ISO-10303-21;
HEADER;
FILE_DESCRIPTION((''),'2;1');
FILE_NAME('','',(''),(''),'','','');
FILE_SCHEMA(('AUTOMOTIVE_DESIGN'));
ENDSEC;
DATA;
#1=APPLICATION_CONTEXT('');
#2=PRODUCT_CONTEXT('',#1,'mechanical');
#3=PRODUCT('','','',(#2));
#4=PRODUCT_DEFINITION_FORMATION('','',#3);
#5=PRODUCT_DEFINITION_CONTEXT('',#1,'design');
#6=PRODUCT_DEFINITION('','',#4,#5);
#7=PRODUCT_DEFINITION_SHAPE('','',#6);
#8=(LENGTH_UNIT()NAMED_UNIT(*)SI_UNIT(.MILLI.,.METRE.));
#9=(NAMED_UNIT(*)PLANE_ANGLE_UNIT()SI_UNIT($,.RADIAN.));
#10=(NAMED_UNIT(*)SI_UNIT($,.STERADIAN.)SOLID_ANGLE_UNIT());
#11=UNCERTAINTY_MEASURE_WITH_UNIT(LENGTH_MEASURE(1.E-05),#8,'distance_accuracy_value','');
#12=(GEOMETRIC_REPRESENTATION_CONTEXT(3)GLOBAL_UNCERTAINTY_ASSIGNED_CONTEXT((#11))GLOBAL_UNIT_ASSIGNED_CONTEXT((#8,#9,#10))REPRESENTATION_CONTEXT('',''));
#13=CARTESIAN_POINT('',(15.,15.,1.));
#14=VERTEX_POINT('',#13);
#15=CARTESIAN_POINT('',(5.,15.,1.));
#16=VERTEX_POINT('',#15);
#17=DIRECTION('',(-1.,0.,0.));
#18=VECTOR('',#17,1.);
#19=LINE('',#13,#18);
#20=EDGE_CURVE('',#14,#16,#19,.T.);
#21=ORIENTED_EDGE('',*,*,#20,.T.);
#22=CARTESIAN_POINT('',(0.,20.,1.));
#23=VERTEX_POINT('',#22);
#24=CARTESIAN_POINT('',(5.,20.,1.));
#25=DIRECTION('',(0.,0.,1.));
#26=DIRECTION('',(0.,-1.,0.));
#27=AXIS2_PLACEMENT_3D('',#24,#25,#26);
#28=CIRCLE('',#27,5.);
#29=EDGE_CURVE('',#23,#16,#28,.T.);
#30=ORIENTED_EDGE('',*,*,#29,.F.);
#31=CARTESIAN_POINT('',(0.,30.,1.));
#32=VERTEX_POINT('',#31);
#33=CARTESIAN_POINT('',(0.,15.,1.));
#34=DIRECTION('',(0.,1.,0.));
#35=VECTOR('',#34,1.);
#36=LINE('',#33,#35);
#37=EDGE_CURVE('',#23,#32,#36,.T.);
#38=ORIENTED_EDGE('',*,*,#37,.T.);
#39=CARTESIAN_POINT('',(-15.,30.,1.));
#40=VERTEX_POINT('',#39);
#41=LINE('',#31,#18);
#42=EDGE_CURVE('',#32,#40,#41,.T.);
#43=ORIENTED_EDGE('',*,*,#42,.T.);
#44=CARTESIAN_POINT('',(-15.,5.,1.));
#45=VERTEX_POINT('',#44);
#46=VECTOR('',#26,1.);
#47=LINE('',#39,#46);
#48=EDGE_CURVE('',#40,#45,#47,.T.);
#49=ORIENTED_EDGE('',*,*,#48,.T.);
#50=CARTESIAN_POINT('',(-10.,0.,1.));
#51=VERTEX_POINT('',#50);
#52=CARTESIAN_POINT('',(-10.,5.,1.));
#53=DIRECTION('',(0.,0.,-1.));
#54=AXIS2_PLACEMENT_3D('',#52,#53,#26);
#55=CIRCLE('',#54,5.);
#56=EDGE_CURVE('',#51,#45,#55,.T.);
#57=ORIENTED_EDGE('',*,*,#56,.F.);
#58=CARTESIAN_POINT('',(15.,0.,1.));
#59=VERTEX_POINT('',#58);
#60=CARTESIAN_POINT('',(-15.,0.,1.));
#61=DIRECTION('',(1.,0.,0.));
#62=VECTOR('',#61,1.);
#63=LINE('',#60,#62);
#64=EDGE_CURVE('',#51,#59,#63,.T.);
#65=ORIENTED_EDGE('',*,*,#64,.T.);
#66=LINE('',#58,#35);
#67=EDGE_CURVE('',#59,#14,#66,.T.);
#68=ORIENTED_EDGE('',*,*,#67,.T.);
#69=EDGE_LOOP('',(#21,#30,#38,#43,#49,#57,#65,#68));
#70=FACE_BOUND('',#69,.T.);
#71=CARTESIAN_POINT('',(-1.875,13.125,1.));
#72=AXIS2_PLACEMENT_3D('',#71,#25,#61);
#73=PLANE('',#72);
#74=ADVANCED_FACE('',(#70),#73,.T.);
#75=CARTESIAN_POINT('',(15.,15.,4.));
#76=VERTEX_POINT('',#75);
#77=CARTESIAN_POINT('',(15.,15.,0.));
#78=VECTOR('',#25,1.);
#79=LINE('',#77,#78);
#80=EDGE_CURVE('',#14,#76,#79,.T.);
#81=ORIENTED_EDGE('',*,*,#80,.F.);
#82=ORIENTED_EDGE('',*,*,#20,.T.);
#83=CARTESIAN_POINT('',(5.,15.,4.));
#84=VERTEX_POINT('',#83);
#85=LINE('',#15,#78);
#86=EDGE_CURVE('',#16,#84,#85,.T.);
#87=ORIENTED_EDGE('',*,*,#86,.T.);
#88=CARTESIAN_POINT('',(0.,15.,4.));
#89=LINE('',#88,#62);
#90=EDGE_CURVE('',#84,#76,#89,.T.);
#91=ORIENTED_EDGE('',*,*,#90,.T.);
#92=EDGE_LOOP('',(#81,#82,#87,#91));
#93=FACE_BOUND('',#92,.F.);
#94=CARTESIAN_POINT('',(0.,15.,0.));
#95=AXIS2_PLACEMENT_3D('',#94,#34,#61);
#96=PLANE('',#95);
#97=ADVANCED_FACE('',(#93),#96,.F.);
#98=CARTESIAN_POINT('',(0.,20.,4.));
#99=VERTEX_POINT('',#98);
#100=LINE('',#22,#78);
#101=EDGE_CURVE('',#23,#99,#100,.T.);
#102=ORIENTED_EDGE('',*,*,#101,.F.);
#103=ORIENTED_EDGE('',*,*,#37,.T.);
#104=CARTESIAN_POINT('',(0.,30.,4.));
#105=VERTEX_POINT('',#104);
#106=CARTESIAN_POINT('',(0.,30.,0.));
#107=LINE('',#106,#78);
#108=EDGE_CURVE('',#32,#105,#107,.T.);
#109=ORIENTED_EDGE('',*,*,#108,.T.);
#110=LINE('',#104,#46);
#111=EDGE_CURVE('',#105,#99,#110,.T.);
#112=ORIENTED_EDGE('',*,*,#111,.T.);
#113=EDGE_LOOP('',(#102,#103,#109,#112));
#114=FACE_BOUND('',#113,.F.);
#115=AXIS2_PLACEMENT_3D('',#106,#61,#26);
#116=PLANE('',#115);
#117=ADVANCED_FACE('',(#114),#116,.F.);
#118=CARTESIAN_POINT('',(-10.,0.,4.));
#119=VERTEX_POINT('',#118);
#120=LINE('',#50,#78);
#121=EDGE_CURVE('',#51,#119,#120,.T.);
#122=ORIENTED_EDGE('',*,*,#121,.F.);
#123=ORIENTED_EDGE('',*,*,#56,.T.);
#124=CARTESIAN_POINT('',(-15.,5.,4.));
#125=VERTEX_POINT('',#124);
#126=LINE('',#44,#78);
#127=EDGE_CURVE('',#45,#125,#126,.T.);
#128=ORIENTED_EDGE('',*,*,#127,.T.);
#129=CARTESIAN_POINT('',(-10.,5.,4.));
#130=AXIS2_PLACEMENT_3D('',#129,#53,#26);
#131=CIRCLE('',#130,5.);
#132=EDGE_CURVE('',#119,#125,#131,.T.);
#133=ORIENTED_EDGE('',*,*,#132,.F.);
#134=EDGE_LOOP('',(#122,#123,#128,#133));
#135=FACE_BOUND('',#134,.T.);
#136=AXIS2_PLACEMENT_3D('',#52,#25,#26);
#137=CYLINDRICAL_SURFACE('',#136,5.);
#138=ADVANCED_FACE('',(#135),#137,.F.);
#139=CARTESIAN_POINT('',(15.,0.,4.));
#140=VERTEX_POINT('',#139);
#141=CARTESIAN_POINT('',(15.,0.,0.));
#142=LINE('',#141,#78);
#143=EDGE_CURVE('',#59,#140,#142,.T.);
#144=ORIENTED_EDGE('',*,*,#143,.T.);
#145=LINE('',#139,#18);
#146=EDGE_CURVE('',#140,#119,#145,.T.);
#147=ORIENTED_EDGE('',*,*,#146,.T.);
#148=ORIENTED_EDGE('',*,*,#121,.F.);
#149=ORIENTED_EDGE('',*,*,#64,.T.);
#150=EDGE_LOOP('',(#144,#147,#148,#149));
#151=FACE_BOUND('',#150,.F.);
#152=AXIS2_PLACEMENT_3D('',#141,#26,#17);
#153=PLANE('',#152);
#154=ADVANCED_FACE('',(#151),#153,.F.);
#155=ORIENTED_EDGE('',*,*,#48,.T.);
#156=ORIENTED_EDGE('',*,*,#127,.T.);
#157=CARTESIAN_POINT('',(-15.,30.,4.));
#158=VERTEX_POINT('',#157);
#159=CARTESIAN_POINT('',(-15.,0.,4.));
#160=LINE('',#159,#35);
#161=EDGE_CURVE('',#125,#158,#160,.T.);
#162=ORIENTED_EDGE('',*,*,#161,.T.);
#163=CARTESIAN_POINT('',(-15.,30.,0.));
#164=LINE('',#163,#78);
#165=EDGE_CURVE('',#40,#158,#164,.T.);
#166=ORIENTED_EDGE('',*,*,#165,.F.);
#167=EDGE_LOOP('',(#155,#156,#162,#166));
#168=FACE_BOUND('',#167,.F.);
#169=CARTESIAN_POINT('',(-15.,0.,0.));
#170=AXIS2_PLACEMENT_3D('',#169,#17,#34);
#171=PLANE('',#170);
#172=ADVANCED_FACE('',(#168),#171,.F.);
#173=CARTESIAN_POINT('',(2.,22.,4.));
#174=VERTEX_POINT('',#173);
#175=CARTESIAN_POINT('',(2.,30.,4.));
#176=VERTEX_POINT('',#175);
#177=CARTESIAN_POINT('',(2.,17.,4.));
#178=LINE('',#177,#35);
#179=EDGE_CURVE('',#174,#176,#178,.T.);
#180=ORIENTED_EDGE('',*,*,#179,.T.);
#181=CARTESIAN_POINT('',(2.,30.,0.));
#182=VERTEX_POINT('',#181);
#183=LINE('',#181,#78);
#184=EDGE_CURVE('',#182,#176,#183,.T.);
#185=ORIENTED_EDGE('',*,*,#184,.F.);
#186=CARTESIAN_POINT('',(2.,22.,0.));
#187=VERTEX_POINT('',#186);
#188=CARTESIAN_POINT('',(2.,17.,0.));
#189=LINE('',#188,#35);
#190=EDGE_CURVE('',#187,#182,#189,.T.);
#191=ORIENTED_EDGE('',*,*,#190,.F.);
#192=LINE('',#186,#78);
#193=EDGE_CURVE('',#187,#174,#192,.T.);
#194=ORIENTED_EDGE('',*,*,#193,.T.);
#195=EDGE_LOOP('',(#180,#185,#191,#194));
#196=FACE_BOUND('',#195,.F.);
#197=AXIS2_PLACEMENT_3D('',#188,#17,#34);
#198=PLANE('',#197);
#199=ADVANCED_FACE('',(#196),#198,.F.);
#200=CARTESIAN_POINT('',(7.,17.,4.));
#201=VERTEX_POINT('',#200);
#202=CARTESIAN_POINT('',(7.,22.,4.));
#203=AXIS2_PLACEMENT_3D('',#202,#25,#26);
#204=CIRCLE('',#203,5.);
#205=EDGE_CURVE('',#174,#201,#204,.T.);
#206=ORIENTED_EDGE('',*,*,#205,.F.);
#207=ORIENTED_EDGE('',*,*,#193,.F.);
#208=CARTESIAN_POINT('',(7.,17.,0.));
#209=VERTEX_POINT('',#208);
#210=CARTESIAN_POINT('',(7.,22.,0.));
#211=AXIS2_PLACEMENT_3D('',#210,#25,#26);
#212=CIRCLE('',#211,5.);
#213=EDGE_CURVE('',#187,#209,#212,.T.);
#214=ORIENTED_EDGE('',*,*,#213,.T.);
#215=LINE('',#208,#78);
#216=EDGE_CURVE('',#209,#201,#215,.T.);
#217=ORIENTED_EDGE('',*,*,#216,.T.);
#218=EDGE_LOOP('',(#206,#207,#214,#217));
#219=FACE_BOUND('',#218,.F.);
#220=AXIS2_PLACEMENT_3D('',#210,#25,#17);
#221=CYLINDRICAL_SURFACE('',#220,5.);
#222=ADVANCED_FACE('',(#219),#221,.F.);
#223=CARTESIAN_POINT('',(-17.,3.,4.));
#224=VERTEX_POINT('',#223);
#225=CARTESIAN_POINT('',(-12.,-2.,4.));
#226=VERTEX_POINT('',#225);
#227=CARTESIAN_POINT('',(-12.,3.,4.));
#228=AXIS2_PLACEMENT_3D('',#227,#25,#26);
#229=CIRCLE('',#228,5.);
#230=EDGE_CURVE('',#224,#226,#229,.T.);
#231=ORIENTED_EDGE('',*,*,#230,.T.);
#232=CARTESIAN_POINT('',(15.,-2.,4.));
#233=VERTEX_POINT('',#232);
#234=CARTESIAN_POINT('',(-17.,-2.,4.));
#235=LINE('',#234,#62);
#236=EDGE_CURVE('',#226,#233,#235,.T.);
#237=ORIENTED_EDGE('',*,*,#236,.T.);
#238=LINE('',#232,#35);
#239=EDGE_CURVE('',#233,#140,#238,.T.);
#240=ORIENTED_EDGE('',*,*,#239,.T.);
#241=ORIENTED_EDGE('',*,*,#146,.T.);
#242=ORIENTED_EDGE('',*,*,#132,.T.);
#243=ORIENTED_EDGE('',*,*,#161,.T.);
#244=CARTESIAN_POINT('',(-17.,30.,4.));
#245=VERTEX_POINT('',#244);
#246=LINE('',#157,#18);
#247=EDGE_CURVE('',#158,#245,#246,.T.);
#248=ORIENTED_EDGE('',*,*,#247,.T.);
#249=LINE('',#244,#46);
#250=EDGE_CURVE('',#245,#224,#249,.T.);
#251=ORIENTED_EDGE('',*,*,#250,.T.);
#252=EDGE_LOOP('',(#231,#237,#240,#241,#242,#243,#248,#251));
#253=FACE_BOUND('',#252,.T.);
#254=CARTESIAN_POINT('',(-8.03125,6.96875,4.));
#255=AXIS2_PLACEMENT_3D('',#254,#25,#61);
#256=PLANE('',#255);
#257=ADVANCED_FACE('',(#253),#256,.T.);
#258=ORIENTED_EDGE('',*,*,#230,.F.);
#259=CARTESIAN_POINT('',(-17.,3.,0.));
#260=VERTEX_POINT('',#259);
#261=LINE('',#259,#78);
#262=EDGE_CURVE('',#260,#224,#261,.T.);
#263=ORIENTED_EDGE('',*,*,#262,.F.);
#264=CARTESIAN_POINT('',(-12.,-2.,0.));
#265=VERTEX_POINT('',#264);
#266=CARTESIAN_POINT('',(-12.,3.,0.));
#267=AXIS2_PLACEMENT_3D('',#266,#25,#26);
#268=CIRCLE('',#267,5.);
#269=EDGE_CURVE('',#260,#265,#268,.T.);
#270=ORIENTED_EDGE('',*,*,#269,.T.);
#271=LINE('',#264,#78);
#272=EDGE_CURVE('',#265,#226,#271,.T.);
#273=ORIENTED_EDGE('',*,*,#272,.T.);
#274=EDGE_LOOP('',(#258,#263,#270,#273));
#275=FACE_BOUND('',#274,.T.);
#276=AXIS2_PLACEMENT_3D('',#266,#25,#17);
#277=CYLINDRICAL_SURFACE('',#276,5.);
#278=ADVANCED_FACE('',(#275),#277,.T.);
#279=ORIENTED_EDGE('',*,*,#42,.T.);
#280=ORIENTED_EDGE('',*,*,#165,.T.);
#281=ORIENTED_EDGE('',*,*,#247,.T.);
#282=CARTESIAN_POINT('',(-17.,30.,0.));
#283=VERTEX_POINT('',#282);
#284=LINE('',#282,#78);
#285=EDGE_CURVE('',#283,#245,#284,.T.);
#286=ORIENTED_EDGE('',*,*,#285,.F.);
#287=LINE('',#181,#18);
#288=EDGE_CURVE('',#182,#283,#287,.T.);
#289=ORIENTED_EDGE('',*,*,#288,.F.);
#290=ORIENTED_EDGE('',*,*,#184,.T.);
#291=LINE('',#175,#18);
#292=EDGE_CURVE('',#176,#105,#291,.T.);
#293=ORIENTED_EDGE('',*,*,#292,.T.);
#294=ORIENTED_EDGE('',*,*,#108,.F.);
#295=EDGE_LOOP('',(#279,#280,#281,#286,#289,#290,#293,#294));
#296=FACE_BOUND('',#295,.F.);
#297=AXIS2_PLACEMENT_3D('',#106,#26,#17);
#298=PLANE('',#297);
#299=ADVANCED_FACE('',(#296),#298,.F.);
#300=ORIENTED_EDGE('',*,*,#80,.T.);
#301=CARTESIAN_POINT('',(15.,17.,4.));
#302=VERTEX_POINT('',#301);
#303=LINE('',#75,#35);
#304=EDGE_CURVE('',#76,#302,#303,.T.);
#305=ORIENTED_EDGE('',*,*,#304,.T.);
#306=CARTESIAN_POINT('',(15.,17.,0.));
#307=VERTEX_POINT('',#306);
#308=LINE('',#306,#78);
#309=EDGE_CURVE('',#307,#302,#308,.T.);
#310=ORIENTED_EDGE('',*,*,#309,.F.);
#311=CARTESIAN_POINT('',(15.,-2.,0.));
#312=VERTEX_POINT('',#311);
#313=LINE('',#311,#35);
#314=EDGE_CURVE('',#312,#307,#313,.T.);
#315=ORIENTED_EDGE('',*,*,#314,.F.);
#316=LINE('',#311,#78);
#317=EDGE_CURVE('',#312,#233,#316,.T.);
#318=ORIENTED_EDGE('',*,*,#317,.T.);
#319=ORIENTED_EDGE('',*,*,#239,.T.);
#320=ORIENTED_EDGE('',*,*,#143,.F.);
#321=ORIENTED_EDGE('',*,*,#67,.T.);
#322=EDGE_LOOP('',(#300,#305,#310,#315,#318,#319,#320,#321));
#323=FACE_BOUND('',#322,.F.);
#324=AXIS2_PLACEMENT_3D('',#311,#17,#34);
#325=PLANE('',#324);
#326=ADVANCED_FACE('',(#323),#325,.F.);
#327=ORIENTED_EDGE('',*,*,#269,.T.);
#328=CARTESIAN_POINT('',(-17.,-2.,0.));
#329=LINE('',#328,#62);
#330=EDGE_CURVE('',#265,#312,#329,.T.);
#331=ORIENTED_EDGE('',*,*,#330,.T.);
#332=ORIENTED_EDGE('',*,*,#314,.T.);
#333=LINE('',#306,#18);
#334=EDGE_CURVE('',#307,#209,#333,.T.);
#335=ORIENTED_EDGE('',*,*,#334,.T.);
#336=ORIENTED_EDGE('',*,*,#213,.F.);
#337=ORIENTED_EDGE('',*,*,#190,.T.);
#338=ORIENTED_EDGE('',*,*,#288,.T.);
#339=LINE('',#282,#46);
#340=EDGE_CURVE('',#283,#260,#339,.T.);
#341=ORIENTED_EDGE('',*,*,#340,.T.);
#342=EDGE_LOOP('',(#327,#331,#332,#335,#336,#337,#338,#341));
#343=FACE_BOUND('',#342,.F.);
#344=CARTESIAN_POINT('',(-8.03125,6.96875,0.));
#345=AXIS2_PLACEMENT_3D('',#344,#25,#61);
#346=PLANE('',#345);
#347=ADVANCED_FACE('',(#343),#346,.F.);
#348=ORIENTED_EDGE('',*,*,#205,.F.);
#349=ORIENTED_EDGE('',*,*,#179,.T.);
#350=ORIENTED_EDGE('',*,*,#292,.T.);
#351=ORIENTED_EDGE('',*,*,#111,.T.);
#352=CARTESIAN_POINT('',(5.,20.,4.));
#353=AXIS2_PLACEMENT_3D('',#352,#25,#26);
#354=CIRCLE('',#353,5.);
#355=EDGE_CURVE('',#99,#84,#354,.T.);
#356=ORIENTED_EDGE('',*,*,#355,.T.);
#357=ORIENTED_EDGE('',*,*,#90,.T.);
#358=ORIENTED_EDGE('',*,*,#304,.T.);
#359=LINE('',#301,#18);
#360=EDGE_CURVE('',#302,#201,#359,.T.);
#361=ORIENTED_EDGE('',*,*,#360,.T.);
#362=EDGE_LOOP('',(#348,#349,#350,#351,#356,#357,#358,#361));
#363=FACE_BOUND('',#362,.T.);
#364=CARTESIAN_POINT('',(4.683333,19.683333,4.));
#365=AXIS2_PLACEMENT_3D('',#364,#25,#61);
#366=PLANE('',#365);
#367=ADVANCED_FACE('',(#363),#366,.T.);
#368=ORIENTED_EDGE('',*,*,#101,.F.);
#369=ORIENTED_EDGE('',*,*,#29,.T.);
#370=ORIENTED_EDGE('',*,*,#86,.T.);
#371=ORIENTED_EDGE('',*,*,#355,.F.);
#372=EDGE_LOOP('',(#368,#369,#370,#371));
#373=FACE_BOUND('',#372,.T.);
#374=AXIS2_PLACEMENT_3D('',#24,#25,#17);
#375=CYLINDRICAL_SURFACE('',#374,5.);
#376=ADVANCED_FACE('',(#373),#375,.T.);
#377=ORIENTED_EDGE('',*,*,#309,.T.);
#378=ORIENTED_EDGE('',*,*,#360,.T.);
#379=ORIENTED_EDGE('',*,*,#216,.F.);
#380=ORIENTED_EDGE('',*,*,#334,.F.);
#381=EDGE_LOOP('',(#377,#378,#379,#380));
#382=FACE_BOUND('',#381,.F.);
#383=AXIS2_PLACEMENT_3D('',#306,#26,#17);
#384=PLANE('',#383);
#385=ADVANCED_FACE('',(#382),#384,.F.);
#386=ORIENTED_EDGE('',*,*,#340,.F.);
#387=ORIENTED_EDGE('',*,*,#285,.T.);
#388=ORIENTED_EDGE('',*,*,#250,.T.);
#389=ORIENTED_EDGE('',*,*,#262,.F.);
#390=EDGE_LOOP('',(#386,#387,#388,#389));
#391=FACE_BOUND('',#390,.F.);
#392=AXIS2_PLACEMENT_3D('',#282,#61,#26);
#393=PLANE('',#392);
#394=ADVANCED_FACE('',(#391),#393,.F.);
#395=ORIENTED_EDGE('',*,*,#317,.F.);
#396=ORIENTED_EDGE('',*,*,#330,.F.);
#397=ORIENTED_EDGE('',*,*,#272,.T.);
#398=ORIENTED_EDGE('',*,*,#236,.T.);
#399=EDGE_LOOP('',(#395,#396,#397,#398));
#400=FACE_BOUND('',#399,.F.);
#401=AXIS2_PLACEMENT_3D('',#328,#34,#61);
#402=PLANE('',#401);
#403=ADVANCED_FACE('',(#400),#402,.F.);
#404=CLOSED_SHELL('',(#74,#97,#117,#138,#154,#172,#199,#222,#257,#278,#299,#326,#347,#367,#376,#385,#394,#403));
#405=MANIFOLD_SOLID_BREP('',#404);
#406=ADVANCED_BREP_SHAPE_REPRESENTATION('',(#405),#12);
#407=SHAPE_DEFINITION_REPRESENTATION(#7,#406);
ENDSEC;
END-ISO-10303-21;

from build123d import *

# Parameters (mm, degrees)
F1_DEPTH = 1
F2_DEPTH = 4
F3_R     = 5


with BuildPart() as f1:
    # F0 (on Top) → F1 (new body)
    with BuildSketch(Plane.XY):
        Polygon((-15, 0), (0, 0), (15, 0), (15, 15), (0, 15), (0, 30), (-15, 30), align=None)
    extrude(amount=F1_DEPTH)

    # F0 (on Top) → F2 (join)
    with BuildSketch(Plane.XY):
        Polygon((15, 0), (0, 0), (-15, 0), (-15, 30), (-17, 30), (-17, -2), (0, -2), (15, -2), align=None)
        Polygon((0, 15), (15, 15), (15, 17), (2, 17), (2, 30), (0, 30), align=None)
    extrude(amount=F2_DEPTH)

    # F3
    f3_edges = [f1.edges().sort_by_distance(p)[0] for p in [
        (0, 15, 2.5),
        (-17, -2, 2),
        (2, 17, 2),
        (-15, 0, 2.5),
    ]]
    fillet(f3_edges, radius=F3_R)


solid = f1.part
